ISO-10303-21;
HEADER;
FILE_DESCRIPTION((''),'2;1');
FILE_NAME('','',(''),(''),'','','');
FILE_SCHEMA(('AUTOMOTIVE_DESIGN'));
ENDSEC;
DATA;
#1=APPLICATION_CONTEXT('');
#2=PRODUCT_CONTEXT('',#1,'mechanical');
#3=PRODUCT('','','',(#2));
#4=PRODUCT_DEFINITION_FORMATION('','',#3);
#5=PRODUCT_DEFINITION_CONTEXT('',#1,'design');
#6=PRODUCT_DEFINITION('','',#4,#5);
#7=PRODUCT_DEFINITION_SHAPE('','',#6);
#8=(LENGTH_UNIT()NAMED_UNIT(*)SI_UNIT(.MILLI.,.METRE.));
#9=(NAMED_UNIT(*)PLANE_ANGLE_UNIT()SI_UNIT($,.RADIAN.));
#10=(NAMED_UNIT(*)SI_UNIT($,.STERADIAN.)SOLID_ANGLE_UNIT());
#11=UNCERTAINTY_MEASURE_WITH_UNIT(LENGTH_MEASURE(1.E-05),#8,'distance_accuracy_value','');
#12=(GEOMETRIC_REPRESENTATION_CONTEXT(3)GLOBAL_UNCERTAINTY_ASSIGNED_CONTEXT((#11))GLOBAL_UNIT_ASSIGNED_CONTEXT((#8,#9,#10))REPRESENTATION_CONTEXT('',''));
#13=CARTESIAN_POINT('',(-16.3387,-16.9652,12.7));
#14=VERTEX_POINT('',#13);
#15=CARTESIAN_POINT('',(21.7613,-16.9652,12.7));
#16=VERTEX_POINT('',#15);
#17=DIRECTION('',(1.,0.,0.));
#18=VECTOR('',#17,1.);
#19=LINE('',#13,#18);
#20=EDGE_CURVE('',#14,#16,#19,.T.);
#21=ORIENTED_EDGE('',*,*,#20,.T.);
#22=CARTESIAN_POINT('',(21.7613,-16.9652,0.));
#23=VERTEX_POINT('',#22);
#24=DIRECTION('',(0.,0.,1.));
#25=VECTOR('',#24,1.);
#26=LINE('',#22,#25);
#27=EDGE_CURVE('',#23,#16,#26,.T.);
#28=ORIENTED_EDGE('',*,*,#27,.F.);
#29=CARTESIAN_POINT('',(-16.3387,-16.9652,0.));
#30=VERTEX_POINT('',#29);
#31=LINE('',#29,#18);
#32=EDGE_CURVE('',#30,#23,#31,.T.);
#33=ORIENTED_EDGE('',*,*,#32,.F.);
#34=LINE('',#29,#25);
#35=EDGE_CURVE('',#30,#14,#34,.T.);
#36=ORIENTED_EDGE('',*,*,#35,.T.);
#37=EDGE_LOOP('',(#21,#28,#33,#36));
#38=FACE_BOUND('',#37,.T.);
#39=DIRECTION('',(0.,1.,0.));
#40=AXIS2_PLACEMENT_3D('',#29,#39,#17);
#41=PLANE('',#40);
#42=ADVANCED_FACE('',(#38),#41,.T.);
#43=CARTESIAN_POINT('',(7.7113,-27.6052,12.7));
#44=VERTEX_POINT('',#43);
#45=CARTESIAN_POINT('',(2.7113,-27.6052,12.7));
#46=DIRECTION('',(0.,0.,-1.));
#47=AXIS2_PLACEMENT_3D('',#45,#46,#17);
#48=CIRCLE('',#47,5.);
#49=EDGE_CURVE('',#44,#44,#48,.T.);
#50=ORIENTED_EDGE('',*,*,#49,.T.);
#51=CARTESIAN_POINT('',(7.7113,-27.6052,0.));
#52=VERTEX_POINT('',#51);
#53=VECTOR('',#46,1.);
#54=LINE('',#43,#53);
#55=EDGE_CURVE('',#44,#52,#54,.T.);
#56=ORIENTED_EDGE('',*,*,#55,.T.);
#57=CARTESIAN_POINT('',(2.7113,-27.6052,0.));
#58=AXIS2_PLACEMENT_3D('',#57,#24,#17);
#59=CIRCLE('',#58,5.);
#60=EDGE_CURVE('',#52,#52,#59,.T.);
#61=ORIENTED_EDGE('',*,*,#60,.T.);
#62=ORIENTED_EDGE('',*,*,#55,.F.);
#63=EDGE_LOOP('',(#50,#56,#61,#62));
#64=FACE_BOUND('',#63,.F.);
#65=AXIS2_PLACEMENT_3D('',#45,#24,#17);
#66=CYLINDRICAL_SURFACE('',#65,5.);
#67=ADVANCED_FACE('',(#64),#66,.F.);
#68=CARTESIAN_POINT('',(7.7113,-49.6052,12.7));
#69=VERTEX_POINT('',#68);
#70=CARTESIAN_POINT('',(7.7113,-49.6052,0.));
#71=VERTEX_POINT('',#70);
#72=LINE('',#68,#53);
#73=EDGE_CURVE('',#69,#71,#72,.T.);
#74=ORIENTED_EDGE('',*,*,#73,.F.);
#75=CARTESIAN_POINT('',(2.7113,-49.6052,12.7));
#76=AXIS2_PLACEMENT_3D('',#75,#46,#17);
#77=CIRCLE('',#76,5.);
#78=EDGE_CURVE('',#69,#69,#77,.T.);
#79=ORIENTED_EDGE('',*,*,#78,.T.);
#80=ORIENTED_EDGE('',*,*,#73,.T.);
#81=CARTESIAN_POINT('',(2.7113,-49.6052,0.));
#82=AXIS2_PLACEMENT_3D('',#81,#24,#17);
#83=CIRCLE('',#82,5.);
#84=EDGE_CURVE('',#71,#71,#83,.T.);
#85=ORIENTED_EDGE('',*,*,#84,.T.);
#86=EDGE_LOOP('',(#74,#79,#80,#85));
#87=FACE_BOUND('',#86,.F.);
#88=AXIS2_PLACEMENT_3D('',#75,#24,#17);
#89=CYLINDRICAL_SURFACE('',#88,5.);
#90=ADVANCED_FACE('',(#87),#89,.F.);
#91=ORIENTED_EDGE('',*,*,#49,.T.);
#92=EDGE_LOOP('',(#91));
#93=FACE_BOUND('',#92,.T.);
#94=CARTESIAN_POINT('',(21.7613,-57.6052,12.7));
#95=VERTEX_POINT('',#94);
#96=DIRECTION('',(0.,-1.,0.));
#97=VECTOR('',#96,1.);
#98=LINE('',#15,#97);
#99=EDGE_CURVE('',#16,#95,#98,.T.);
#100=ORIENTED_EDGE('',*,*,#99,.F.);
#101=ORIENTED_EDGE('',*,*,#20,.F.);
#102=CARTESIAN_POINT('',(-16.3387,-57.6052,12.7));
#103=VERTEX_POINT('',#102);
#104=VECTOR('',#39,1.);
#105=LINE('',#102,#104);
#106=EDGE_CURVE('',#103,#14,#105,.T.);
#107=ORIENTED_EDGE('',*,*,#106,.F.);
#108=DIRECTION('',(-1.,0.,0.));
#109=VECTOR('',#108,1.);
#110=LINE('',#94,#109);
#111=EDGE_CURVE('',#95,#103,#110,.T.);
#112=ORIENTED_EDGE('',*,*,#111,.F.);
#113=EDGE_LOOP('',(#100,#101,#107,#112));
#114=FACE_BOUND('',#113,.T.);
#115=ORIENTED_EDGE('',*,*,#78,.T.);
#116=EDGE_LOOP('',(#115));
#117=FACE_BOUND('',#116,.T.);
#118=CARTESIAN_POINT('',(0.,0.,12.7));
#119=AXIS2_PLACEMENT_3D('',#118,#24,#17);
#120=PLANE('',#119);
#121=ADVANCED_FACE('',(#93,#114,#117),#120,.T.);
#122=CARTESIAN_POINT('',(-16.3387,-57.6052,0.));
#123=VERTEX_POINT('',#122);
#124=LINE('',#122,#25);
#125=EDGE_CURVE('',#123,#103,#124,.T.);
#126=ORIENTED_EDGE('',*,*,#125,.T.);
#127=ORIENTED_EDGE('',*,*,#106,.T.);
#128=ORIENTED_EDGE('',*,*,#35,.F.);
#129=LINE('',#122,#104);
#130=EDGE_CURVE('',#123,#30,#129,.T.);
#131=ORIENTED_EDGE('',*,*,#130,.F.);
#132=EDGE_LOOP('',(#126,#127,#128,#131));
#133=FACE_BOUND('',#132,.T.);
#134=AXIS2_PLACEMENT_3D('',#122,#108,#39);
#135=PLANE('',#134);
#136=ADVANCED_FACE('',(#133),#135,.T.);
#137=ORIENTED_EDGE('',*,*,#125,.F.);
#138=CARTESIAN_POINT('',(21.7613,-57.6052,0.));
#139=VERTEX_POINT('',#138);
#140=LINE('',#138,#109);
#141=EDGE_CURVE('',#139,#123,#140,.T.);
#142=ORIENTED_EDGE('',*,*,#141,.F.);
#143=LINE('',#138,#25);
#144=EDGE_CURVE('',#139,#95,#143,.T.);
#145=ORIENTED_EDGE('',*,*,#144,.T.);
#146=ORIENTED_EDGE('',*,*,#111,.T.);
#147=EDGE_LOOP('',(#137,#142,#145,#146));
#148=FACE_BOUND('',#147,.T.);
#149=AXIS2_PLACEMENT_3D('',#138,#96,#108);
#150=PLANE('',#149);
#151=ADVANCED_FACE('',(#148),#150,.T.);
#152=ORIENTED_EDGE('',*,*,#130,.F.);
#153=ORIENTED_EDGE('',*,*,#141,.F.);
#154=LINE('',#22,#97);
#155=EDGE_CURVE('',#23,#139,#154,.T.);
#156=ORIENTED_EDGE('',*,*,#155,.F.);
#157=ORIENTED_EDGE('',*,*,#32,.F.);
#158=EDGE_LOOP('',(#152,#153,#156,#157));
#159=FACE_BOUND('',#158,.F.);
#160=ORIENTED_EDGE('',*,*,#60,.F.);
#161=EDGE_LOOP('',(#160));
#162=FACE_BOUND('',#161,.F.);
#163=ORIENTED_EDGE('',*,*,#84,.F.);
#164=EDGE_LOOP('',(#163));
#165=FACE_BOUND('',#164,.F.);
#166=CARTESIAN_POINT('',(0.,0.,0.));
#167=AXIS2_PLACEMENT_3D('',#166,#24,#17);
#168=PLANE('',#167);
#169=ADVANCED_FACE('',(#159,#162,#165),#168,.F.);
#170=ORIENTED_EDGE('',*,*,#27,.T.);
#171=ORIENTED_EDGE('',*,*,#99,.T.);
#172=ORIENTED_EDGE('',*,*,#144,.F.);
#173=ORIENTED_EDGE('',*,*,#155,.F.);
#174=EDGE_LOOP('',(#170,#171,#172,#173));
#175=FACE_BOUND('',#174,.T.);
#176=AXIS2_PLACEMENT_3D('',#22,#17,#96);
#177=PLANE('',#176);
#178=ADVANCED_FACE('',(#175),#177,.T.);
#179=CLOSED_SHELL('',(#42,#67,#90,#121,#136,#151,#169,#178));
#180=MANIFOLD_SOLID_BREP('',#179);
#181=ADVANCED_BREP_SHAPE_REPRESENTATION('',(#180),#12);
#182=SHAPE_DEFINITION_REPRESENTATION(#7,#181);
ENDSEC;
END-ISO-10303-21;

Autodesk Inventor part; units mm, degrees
ref_plane "YZ Plane" through (0, 0, 0) normal (1, 0, 0) x (0, 1, 0)
ref_plane "XZ Plane" through (0, 0, 0) normal (0, 1, 0) x (-1, 0, 0)
ref_plane "XY Plane" through (0, 0, 0) normal (0, 0, 1) x (1, 0, 0)
sketch "Sketch1" plane through (0, 0, 0) normal (0, 0, 1) x (1, 0, 0)
  line L0 (-16.3387, -16.9652) -> (21.7613, -16.9652)
  line L1 (21.7613, -16.9652) -> (21.7613, -57.6052)
  line L2 (21.7613, -57.6052) -> (-16.3387, -57.6052)
  line L3 (-16.3387, -57.6052) -> (-16.3387, -16.9652)
  point P0 (0, 0)
  dimension "d0" = 38.1
  dimension "d1" = 40.64
extrude "Extrusion1" add sketch "Sketch1" along normal blind 12.7
sketch "Sketch2" plane through (0, 0, 12.7) normal (0, 0, 1) x (1, 0, 0)
  line L0 (21.7613, -57.6052) -> (-16.3387, -57.6052) projected
  line L1 (2.7113, -57.6052) -> (2.7113, -49.6052)
  circle A0 centre (2.7113, -49.6052) radius 5
  line L2 (2.7113, -57.6052) -> (2.7113, -27.6052)
  circle A1 centre (2.7113, -27.6052) radius 5
  point P0 (0, 0)
  dimension "d4" = 8
  dimension "d5" = 10
  dimension "d6" = 30
extrude "Extrusion2" cut sketch "Sketch2" against normal blind 12.7
properties part number "linacspacers"
